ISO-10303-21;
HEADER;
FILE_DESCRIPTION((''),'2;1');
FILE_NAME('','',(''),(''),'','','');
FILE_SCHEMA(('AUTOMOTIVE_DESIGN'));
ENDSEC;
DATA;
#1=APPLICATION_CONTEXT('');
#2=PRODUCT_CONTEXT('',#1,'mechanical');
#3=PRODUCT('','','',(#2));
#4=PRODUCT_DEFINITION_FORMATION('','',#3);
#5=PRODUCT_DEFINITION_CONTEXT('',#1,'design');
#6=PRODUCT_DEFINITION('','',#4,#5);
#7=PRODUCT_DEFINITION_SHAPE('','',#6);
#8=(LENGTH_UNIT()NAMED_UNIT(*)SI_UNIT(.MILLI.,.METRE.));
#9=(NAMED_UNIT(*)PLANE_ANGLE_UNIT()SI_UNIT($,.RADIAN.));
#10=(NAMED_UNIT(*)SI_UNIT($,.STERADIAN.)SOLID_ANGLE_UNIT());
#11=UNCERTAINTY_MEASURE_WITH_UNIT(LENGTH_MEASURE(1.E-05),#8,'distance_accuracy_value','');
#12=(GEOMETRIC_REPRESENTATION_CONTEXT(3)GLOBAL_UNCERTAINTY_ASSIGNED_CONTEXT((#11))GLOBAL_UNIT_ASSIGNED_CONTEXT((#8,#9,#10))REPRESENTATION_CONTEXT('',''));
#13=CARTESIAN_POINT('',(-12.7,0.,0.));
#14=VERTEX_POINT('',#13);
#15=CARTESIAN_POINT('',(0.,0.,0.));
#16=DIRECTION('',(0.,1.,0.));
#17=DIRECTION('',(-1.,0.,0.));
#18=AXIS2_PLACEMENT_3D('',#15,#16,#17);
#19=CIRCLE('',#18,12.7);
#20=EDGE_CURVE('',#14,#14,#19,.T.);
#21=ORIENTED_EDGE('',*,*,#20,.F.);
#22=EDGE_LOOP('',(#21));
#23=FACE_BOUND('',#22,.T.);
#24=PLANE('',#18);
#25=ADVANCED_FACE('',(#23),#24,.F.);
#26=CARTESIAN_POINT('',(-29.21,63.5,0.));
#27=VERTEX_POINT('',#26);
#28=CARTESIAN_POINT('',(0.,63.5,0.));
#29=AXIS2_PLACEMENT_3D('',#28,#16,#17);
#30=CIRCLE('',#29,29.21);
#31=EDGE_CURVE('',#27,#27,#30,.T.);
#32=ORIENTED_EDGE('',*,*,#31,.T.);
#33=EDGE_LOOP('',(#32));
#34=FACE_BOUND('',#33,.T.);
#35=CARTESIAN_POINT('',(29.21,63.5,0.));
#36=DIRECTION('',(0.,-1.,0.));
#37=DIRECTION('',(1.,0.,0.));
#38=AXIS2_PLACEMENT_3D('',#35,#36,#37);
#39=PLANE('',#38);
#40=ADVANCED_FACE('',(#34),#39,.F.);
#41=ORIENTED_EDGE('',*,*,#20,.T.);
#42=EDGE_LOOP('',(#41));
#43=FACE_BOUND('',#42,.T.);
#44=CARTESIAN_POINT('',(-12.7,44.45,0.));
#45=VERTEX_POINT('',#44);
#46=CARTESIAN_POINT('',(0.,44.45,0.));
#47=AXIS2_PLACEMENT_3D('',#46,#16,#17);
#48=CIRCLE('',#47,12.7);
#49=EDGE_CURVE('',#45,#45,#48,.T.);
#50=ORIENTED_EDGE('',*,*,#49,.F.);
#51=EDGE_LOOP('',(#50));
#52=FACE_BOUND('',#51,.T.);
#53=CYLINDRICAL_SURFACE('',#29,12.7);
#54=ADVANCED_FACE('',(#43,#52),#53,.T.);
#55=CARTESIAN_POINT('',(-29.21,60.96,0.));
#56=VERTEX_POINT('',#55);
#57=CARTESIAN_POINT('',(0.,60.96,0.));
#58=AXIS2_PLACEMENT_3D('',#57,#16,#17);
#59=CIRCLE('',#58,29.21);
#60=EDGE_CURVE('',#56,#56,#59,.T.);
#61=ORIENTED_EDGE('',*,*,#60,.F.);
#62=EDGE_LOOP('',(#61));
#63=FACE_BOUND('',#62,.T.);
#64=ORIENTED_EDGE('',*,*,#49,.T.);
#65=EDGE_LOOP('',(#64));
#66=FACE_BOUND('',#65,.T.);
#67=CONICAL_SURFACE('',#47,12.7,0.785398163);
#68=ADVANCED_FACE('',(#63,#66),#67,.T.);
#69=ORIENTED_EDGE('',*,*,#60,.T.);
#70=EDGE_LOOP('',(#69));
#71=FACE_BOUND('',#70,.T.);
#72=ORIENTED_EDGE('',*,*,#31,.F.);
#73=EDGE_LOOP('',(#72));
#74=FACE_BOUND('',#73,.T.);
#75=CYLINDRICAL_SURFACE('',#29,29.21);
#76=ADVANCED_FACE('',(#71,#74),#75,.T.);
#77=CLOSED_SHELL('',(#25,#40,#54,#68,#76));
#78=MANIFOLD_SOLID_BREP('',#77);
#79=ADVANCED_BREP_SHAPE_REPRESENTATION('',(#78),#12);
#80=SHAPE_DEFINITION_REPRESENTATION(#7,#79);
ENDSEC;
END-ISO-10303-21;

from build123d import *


with BuildPart() as part:
    # Sketch1 → Revolve1 (revolve)
    with BuildSketch(Plane.XY, mode=Mode.PRIVATE) as revolve1_sk:
        Polygon((0, 0), (12.7, 0), (12.7, 44.45), (29.21, 60.96), (29.21, 63.5), (0, 63.5), align=None)
    revolve(revolve1_sk.sketch.rotate(Axis((0, 63.5, 0), (0, -1, 0)), 180), axis=Axis((0, 63.5, 0), (0, -1, 0)))


solid = part.part
